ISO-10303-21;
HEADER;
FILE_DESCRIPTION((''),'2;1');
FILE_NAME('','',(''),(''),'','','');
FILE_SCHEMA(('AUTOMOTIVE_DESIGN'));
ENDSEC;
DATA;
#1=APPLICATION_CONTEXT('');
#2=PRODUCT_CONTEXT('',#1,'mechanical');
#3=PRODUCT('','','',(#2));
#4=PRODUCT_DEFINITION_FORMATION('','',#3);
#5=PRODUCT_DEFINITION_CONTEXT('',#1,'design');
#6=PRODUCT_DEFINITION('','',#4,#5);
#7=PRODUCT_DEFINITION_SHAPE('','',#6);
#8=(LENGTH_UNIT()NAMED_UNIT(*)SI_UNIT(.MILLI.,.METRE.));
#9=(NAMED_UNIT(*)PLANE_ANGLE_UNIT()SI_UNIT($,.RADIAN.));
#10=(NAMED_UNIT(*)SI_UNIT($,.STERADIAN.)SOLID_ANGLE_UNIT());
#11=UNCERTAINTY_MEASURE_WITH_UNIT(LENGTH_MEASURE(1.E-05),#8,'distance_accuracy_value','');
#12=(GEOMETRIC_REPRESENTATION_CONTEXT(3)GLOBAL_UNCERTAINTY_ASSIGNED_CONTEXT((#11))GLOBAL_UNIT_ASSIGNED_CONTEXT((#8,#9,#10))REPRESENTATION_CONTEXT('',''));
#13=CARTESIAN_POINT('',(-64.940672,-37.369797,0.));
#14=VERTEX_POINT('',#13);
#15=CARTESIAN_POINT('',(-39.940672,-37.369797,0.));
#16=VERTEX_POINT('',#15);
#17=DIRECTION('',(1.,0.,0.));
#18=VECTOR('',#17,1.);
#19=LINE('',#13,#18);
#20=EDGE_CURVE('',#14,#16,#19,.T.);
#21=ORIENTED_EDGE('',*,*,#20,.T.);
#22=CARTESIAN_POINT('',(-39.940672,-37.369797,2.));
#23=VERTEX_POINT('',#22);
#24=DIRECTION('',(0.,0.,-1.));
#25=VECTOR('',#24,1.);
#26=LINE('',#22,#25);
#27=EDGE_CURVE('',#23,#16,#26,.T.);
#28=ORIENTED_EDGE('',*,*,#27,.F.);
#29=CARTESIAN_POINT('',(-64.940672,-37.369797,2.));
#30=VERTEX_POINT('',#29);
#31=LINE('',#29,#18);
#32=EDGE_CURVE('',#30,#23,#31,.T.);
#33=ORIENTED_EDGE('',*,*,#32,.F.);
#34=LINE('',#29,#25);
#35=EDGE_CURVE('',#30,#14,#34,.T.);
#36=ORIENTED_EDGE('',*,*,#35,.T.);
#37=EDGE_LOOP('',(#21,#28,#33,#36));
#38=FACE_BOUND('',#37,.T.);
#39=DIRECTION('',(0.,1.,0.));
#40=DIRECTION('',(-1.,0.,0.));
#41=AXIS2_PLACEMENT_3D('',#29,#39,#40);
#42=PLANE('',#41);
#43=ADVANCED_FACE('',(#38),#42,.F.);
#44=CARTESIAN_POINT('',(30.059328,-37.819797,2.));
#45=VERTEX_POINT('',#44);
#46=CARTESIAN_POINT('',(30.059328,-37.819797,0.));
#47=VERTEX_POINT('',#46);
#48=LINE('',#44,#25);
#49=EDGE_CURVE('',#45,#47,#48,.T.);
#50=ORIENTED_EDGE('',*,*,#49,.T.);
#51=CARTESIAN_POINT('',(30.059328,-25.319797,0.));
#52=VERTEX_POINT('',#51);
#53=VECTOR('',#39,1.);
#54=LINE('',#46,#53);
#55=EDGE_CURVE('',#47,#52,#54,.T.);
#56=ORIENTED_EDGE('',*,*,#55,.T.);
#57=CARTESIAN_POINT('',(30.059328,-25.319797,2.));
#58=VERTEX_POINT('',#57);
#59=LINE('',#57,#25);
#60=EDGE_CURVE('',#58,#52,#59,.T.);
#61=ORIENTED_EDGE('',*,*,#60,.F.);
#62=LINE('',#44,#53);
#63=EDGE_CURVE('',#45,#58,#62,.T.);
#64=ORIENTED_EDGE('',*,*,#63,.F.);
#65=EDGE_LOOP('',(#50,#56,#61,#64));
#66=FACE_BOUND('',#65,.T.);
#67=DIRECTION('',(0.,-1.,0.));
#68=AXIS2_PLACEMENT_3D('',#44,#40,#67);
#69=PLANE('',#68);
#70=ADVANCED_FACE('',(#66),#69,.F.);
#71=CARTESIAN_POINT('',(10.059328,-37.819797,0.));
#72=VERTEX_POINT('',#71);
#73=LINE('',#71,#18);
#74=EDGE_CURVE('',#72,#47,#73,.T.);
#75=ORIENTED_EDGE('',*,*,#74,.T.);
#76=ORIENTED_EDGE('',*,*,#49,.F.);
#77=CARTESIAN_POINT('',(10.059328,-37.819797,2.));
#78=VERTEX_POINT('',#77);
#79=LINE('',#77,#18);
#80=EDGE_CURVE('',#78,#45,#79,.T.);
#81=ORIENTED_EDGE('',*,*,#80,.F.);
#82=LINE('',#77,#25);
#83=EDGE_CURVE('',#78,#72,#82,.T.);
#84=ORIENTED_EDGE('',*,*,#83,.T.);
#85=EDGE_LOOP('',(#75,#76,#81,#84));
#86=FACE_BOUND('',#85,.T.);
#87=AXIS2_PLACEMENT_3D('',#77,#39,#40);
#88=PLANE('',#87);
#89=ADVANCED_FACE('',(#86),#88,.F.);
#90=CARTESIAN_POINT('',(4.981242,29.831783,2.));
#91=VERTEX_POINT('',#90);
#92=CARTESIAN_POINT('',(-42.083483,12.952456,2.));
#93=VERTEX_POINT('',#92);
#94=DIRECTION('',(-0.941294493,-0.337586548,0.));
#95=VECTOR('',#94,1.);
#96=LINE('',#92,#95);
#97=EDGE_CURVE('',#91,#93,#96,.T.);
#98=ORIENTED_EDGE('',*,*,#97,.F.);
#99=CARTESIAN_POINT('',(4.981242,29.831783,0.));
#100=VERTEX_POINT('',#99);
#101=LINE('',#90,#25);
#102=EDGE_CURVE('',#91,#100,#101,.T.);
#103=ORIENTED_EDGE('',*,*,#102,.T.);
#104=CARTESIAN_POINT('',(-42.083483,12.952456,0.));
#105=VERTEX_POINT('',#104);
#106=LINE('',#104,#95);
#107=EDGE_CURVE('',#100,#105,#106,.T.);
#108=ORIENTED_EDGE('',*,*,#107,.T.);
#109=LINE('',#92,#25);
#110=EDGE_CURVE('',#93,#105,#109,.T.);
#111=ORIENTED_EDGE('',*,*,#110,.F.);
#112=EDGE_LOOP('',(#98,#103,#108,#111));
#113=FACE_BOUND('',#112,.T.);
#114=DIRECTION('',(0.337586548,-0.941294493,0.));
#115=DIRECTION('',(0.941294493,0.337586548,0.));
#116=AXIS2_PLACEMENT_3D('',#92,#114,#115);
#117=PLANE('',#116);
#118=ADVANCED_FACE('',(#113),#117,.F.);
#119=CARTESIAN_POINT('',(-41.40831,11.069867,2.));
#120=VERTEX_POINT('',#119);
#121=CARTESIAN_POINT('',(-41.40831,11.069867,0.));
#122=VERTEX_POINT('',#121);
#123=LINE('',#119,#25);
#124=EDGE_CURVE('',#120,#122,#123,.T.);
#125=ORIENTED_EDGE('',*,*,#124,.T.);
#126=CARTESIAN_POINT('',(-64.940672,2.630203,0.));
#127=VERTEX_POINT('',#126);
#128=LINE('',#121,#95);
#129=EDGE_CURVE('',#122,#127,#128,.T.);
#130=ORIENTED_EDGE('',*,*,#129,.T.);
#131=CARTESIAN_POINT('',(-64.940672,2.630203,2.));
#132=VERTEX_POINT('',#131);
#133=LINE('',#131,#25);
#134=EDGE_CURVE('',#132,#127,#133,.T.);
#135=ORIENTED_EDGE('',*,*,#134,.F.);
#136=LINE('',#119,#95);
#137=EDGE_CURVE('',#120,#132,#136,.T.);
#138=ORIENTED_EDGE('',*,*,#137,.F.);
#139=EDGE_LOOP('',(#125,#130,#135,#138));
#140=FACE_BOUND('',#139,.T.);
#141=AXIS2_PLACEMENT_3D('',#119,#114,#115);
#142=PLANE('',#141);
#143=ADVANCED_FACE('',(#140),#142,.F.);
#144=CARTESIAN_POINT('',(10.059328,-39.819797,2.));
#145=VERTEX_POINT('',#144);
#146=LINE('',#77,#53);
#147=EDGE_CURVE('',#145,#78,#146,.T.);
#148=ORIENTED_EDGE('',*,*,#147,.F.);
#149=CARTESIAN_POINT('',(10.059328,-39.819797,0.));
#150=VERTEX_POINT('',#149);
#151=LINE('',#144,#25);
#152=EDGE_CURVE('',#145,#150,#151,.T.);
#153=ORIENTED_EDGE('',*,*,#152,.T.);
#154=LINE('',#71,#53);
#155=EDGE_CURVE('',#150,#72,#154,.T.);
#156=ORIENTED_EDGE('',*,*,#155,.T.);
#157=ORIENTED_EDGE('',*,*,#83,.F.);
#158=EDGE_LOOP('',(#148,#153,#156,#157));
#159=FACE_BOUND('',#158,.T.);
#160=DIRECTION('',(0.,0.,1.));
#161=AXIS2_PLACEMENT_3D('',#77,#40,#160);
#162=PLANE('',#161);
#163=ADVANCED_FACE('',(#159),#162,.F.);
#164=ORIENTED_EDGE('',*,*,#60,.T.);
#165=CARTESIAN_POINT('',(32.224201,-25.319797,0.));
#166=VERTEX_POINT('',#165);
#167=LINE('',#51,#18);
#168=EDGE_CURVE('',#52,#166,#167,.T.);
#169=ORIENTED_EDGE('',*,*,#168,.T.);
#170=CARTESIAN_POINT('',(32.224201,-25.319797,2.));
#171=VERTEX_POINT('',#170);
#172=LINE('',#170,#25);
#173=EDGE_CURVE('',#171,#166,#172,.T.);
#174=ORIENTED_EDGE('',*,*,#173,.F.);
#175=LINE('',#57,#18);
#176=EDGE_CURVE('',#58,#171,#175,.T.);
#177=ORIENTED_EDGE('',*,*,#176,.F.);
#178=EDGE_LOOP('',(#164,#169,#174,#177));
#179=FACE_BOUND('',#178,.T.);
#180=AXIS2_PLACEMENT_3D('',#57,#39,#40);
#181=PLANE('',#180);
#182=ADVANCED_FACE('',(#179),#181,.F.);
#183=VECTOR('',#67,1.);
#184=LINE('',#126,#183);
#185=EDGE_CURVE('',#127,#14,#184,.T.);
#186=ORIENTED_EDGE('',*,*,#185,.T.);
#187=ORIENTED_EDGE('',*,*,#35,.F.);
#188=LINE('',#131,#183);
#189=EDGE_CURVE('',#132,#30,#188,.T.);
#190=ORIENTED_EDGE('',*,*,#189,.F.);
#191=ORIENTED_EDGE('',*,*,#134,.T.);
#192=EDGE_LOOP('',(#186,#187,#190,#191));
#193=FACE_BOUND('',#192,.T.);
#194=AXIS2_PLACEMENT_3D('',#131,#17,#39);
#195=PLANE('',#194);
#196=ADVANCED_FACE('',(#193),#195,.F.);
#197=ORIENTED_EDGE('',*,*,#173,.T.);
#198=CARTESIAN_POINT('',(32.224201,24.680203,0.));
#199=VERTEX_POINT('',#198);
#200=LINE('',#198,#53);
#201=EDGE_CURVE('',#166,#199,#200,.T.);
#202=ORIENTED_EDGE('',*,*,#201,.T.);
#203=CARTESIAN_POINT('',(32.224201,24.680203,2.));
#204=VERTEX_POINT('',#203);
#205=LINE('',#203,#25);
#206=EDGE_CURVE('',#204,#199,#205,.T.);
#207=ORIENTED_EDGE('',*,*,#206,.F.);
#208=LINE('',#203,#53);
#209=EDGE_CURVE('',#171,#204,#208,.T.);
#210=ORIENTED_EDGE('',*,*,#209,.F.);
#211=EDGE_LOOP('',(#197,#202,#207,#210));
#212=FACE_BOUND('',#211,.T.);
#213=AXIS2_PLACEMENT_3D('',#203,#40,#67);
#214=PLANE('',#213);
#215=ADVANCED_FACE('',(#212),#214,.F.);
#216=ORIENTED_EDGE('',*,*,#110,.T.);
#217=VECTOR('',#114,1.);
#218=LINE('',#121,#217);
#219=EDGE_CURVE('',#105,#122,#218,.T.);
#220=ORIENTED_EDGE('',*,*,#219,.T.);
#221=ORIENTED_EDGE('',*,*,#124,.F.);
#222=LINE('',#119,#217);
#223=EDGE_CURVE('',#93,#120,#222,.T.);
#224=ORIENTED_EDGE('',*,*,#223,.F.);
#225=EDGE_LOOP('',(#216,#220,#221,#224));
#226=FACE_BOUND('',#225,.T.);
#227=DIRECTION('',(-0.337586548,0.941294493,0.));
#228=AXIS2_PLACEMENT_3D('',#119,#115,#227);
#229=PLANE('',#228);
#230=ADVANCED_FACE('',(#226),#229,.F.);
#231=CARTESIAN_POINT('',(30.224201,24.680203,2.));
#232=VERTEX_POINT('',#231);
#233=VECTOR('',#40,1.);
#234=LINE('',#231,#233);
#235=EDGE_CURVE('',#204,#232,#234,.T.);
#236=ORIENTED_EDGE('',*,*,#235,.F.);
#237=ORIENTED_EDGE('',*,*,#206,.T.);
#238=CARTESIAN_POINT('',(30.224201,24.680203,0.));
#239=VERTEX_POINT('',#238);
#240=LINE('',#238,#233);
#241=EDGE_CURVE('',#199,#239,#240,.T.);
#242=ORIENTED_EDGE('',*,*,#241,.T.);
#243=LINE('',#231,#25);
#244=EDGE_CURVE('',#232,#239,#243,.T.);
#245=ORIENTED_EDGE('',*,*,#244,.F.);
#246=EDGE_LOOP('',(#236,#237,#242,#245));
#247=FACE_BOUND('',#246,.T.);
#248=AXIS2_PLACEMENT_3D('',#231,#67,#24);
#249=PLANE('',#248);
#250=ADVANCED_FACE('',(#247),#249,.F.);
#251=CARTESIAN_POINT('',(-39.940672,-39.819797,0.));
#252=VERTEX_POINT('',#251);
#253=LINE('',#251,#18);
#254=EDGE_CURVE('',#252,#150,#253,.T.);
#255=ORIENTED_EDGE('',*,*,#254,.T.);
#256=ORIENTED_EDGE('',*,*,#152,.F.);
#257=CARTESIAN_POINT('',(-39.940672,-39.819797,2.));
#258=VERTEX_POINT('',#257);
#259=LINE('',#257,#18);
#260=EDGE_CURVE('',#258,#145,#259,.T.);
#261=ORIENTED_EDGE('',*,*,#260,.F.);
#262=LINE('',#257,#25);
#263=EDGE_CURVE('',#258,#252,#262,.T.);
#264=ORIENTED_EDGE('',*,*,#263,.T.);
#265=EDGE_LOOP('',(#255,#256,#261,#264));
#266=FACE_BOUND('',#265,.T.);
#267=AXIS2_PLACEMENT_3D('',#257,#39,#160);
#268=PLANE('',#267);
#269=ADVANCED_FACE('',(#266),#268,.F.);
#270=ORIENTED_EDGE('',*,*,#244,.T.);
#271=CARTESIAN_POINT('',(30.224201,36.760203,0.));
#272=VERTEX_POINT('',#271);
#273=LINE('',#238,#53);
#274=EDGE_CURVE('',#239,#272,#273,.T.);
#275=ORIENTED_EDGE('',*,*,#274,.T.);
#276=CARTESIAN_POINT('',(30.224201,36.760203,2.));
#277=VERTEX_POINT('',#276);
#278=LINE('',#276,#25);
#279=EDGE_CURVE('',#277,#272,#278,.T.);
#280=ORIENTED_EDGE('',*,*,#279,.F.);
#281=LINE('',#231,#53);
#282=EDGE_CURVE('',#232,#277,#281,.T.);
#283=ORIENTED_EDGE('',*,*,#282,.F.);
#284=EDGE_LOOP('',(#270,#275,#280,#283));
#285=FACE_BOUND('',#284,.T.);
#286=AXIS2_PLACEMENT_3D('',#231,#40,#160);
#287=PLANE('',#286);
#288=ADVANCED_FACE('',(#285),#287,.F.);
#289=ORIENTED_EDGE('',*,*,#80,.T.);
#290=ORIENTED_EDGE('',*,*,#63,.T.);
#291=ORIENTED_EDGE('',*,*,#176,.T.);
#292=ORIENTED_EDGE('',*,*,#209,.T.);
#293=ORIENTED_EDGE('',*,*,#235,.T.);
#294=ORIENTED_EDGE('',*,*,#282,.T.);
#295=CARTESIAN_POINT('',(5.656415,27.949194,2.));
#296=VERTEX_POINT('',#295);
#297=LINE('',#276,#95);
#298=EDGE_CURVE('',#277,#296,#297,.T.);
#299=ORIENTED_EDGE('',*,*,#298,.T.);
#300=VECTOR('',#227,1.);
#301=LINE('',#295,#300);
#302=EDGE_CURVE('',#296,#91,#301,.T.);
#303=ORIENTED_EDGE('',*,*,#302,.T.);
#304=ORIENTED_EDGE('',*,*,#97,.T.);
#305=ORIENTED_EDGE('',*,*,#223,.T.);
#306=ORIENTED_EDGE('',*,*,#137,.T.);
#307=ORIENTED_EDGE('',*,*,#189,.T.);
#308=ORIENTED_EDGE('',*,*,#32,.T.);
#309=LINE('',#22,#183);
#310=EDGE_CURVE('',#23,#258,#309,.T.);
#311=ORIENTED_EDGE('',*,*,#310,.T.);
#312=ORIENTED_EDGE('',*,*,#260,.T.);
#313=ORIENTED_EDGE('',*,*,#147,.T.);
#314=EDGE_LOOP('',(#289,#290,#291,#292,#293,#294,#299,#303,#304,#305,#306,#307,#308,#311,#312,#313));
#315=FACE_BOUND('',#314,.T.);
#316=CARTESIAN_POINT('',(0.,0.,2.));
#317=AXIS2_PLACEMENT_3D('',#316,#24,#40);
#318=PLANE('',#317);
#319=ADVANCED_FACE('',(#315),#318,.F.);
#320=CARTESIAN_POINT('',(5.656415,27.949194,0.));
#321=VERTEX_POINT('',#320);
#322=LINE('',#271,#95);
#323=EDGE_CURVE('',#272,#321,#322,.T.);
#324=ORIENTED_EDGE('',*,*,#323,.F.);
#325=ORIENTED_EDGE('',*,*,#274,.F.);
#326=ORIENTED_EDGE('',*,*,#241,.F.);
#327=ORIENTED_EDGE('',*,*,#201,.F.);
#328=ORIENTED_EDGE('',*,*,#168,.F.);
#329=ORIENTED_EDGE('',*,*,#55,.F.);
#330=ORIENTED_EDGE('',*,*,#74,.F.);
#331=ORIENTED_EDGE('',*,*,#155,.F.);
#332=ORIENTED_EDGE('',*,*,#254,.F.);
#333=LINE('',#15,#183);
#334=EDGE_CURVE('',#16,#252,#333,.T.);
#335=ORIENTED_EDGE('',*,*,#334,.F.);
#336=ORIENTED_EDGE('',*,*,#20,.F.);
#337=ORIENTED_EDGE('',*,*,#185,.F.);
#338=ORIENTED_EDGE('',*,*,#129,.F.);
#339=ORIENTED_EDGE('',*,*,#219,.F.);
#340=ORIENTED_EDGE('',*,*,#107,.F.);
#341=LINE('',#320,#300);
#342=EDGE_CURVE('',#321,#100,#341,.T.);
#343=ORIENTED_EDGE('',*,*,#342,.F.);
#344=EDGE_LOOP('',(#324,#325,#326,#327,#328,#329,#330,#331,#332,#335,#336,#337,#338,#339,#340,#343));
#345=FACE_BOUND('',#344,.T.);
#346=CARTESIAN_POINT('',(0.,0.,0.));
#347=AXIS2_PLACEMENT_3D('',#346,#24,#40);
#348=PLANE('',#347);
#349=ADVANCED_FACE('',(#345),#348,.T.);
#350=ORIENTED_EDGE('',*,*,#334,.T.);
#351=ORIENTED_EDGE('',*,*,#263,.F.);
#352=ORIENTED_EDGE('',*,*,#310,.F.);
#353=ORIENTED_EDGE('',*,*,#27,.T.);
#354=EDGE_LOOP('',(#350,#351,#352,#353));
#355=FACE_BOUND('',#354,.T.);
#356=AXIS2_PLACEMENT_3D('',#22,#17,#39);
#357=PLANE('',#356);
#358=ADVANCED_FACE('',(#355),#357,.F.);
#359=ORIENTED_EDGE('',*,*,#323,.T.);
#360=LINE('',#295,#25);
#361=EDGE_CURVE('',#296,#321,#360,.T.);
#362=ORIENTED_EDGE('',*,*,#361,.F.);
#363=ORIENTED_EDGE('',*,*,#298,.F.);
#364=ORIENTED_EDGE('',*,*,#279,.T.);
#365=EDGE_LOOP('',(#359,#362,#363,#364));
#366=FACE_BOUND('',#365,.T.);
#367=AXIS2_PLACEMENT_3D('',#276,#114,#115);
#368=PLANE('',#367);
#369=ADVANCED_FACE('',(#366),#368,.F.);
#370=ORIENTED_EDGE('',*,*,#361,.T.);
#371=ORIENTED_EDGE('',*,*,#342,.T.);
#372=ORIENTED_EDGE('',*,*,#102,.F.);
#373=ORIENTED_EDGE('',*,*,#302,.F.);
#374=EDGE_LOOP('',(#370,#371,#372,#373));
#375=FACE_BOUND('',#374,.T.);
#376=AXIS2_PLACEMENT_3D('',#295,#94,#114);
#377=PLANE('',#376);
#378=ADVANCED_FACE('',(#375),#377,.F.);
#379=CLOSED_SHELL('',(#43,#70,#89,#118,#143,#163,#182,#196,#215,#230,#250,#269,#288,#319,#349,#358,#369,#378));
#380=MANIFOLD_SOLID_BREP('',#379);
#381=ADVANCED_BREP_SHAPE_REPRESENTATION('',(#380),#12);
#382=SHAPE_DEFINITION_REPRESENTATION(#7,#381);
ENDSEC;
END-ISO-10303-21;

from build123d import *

# Parameters (mm, degrees)
EXTRUDE_1_DEPTH = 2


with BuildPart() as part:
    # 草图2 → 凸台-拉伸1 (new body)
    with BuildSketch(Plane.XY):
        Polygon((30.22420133, 24.680203113), (30.22420133, 36.760203113), (5.656415061, 27.949194211), (4.981241965, 29.831783197), (-42.083482687, 12.952455799), (-41.408309591, 11.069866813), (-64.940671917, 2.630203113), (-64.940671917, -37.369796887), (-39.940671917, -37.369796887), (-39.940671917, -39.819796887), (10.059328083, -39.819796887), (10.059328083, -37.819796887), (30.059328083, -37.819796887), (30.059328083, -25.319796887), (32.22420133, -25.319796887), (32.22420133, 24.680203113), align=None)
    extrude(amount=EXTRUDE_1_DEPTH)


solid = part.part
